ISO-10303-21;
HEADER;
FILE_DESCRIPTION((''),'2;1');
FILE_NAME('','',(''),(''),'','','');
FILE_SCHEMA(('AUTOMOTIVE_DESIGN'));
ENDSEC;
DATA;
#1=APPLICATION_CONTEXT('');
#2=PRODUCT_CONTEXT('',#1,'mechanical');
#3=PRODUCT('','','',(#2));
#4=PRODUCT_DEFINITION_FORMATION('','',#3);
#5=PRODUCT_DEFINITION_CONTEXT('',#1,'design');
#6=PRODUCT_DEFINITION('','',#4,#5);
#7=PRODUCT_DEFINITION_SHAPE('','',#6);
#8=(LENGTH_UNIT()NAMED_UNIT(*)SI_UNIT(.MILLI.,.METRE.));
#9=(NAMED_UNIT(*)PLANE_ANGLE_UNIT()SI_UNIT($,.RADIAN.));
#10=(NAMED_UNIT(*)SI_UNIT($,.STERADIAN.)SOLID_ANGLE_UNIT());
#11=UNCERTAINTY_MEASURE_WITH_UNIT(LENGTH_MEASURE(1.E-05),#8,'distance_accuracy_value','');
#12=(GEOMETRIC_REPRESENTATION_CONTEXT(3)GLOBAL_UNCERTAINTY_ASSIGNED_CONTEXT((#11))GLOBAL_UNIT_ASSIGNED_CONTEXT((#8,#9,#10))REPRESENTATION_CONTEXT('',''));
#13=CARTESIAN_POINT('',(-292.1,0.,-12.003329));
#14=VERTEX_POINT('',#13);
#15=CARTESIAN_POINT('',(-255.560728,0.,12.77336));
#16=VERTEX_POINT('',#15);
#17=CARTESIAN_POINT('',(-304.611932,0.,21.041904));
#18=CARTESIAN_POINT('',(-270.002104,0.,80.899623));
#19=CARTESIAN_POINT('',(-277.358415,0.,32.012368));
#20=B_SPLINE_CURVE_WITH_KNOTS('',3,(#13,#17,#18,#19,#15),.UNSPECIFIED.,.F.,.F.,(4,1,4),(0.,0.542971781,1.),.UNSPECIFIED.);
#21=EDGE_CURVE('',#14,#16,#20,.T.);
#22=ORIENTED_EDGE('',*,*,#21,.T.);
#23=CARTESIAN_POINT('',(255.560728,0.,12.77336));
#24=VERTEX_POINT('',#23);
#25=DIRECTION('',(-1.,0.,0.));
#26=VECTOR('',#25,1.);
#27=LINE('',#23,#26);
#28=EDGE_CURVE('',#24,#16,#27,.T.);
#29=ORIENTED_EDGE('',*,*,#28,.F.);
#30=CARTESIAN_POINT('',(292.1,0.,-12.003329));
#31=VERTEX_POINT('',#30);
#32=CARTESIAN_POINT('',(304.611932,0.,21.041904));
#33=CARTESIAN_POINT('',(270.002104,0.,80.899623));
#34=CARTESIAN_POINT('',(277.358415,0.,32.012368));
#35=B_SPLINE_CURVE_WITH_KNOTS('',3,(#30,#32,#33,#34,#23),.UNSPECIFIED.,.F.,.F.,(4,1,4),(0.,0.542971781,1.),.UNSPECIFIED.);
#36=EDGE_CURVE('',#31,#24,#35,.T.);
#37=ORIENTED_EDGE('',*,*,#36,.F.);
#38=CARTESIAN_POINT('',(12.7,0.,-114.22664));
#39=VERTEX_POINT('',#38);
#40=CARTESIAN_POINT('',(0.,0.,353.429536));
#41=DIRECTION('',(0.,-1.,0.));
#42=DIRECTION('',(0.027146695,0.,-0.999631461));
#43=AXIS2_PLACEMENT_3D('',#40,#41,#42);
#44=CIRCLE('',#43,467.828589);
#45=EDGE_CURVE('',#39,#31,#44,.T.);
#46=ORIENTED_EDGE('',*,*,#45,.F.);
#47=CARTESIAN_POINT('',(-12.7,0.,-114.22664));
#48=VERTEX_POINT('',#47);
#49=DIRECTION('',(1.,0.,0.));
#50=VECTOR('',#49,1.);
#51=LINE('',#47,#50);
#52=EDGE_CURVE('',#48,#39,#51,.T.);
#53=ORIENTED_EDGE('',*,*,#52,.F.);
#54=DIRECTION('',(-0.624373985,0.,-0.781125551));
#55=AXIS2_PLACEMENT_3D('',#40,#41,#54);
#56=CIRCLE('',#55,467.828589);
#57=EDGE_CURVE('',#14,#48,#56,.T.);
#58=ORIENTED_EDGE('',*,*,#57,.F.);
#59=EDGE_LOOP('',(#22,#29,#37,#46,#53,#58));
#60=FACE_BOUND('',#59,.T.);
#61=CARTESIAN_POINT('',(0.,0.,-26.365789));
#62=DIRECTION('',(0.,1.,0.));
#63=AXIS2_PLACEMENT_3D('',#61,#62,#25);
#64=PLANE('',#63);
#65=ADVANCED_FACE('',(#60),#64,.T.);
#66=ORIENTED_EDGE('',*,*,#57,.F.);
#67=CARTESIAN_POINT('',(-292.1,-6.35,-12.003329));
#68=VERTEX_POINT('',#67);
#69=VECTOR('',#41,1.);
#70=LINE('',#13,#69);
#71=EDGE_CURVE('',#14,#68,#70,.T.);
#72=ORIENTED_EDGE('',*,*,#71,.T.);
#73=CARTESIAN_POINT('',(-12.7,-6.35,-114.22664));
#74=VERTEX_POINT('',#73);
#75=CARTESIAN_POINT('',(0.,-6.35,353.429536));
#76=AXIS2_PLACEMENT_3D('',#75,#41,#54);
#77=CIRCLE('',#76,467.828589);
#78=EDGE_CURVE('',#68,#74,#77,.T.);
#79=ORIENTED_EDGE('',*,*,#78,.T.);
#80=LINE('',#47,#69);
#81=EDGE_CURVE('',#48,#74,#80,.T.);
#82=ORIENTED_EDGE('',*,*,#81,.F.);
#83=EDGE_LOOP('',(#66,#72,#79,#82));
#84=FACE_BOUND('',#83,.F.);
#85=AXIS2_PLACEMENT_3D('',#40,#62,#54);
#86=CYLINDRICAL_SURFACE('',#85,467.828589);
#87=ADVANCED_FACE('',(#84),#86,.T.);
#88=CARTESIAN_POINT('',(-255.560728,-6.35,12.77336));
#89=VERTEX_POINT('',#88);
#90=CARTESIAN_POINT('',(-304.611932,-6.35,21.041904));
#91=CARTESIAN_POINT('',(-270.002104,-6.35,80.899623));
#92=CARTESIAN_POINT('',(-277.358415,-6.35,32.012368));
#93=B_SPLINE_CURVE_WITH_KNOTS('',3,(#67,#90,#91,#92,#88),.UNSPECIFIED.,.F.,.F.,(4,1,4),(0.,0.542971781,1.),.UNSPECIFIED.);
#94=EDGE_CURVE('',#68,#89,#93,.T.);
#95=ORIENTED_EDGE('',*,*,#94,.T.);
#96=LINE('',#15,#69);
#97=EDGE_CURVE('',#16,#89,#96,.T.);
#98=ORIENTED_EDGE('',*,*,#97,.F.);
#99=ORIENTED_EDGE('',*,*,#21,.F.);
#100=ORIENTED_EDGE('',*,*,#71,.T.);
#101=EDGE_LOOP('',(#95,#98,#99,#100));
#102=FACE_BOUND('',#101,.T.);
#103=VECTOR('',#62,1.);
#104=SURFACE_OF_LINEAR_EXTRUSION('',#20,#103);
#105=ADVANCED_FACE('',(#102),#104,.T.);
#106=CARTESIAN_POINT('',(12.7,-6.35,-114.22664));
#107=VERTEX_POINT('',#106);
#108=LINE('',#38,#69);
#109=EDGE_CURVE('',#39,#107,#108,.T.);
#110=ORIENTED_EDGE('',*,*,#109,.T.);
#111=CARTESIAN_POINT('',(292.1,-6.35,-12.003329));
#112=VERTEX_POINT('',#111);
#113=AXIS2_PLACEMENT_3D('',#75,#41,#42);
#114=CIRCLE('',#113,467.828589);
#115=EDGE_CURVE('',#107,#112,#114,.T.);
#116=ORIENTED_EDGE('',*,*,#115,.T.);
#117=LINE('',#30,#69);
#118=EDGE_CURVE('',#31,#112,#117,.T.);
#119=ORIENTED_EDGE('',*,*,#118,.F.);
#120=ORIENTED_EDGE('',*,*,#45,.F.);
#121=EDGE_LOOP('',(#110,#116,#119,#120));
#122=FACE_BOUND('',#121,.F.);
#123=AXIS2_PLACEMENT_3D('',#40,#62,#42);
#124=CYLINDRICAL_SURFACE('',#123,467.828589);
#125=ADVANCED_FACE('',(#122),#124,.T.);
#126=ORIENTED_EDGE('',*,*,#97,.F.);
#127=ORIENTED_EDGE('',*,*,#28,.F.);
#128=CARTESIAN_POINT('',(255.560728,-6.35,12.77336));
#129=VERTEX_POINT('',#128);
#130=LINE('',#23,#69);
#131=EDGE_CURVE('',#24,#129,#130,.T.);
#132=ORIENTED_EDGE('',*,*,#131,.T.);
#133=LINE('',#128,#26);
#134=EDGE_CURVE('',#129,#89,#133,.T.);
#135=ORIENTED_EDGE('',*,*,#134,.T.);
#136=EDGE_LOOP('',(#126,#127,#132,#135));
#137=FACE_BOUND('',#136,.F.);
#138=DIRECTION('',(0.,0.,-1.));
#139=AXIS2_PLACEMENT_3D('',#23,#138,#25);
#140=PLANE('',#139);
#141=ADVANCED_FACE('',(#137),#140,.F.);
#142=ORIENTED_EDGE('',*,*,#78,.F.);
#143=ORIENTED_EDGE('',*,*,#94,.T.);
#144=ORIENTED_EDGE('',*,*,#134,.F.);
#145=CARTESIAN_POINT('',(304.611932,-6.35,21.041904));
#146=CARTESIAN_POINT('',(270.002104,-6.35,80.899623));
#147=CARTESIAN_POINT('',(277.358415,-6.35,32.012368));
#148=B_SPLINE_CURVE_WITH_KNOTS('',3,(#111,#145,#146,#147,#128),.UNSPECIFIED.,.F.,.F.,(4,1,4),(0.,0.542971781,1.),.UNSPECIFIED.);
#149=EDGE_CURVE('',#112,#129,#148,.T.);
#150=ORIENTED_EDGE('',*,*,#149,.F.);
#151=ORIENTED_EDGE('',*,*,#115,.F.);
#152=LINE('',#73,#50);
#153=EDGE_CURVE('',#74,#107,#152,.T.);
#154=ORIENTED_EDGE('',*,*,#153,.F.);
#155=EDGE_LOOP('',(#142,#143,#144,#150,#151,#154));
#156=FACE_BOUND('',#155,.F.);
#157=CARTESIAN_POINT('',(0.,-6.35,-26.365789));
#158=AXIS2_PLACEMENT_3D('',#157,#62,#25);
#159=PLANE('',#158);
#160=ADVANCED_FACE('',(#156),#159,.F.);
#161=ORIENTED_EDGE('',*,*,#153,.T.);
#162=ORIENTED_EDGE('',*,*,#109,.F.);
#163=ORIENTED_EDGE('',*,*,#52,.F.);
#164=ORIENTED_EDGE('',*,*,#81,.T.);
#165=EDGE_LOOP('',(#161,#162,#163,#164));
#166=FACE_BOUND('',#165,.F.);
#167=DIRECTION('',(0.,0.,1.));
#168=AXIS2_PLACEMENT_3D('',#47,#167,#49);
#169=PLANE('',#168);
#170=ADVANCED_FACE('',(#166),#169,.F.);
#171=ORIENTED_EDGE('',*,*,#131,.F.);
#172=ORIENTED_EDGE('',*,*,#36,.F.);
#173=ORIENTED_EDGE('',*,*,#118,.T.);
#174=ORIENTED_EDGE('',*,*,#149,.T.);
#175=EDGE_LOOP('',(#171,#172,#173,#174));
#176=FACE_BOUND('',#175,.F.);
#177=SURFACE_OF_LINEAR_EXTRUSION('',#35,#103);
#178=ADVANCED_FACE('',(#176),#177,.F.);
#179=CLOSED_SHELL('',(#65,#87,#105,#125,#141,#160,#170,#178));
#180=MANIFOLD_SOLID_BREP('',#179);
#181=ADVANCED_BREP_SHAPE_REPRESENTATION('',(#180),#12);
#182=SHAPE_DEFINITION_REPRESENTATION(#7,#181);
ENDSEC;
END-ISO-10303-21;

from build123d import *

# Parameters (mm, degrees)
F1_DEPTH = 6.35


with BuildPart() as f1:
    # F0 (on Front) → F1 (new body)
    with BuildSketch(Plane.XZ):
        with BuildLine():
            Line((-12.7, 12.7733604336), (-255.5607279458, 12.7733604336))
            add(Edge.make_bspline(
                [(-292.1, -12.0033285238), (-304.6119324624, 21.0419039417), (-270.0021035837, 80.8996231735), (-277.3584148413, 32.0123676961), (-255.5607279458, 12.7733604336)],
                knots=[0, 0, 0, 0, 0.5429717814, 1, 1, 1, 1], degree=3))
            ThreePointArc((-292.1, -12.0033285238), (-160.7425311799, -85.917055196), (-12.7, -114.2266395664))
            Line((-12.7, -114.2266395664), (12.7, -114.2266395664))
            ThreePointArc((12.7, -114.2266395664), (160.7425311799, -85.917055196), (292.1, -12.0033285238))
            add(Edge.make_bspline(
                [(292.1, -12.0033285238), (304.6119324624, 21.0419039417), (270.0021035837, 80.8996231735), (277.3584148413, 32.0123676961), (255.5607279458, 12.7733604336)],
                knots=[0, 0, 0, 0, 0.5429717814, 1, 1, 1, 1], degree=3))
            Line((255.5607279458, 12.7733604336), (12.7, 12.7733604336))
            Line((12.7, 12.7733604336), (-12.7, 12.7733604336))
        make_face()
    extrude(amount=F1_DEPTH)


solid = f1.part
